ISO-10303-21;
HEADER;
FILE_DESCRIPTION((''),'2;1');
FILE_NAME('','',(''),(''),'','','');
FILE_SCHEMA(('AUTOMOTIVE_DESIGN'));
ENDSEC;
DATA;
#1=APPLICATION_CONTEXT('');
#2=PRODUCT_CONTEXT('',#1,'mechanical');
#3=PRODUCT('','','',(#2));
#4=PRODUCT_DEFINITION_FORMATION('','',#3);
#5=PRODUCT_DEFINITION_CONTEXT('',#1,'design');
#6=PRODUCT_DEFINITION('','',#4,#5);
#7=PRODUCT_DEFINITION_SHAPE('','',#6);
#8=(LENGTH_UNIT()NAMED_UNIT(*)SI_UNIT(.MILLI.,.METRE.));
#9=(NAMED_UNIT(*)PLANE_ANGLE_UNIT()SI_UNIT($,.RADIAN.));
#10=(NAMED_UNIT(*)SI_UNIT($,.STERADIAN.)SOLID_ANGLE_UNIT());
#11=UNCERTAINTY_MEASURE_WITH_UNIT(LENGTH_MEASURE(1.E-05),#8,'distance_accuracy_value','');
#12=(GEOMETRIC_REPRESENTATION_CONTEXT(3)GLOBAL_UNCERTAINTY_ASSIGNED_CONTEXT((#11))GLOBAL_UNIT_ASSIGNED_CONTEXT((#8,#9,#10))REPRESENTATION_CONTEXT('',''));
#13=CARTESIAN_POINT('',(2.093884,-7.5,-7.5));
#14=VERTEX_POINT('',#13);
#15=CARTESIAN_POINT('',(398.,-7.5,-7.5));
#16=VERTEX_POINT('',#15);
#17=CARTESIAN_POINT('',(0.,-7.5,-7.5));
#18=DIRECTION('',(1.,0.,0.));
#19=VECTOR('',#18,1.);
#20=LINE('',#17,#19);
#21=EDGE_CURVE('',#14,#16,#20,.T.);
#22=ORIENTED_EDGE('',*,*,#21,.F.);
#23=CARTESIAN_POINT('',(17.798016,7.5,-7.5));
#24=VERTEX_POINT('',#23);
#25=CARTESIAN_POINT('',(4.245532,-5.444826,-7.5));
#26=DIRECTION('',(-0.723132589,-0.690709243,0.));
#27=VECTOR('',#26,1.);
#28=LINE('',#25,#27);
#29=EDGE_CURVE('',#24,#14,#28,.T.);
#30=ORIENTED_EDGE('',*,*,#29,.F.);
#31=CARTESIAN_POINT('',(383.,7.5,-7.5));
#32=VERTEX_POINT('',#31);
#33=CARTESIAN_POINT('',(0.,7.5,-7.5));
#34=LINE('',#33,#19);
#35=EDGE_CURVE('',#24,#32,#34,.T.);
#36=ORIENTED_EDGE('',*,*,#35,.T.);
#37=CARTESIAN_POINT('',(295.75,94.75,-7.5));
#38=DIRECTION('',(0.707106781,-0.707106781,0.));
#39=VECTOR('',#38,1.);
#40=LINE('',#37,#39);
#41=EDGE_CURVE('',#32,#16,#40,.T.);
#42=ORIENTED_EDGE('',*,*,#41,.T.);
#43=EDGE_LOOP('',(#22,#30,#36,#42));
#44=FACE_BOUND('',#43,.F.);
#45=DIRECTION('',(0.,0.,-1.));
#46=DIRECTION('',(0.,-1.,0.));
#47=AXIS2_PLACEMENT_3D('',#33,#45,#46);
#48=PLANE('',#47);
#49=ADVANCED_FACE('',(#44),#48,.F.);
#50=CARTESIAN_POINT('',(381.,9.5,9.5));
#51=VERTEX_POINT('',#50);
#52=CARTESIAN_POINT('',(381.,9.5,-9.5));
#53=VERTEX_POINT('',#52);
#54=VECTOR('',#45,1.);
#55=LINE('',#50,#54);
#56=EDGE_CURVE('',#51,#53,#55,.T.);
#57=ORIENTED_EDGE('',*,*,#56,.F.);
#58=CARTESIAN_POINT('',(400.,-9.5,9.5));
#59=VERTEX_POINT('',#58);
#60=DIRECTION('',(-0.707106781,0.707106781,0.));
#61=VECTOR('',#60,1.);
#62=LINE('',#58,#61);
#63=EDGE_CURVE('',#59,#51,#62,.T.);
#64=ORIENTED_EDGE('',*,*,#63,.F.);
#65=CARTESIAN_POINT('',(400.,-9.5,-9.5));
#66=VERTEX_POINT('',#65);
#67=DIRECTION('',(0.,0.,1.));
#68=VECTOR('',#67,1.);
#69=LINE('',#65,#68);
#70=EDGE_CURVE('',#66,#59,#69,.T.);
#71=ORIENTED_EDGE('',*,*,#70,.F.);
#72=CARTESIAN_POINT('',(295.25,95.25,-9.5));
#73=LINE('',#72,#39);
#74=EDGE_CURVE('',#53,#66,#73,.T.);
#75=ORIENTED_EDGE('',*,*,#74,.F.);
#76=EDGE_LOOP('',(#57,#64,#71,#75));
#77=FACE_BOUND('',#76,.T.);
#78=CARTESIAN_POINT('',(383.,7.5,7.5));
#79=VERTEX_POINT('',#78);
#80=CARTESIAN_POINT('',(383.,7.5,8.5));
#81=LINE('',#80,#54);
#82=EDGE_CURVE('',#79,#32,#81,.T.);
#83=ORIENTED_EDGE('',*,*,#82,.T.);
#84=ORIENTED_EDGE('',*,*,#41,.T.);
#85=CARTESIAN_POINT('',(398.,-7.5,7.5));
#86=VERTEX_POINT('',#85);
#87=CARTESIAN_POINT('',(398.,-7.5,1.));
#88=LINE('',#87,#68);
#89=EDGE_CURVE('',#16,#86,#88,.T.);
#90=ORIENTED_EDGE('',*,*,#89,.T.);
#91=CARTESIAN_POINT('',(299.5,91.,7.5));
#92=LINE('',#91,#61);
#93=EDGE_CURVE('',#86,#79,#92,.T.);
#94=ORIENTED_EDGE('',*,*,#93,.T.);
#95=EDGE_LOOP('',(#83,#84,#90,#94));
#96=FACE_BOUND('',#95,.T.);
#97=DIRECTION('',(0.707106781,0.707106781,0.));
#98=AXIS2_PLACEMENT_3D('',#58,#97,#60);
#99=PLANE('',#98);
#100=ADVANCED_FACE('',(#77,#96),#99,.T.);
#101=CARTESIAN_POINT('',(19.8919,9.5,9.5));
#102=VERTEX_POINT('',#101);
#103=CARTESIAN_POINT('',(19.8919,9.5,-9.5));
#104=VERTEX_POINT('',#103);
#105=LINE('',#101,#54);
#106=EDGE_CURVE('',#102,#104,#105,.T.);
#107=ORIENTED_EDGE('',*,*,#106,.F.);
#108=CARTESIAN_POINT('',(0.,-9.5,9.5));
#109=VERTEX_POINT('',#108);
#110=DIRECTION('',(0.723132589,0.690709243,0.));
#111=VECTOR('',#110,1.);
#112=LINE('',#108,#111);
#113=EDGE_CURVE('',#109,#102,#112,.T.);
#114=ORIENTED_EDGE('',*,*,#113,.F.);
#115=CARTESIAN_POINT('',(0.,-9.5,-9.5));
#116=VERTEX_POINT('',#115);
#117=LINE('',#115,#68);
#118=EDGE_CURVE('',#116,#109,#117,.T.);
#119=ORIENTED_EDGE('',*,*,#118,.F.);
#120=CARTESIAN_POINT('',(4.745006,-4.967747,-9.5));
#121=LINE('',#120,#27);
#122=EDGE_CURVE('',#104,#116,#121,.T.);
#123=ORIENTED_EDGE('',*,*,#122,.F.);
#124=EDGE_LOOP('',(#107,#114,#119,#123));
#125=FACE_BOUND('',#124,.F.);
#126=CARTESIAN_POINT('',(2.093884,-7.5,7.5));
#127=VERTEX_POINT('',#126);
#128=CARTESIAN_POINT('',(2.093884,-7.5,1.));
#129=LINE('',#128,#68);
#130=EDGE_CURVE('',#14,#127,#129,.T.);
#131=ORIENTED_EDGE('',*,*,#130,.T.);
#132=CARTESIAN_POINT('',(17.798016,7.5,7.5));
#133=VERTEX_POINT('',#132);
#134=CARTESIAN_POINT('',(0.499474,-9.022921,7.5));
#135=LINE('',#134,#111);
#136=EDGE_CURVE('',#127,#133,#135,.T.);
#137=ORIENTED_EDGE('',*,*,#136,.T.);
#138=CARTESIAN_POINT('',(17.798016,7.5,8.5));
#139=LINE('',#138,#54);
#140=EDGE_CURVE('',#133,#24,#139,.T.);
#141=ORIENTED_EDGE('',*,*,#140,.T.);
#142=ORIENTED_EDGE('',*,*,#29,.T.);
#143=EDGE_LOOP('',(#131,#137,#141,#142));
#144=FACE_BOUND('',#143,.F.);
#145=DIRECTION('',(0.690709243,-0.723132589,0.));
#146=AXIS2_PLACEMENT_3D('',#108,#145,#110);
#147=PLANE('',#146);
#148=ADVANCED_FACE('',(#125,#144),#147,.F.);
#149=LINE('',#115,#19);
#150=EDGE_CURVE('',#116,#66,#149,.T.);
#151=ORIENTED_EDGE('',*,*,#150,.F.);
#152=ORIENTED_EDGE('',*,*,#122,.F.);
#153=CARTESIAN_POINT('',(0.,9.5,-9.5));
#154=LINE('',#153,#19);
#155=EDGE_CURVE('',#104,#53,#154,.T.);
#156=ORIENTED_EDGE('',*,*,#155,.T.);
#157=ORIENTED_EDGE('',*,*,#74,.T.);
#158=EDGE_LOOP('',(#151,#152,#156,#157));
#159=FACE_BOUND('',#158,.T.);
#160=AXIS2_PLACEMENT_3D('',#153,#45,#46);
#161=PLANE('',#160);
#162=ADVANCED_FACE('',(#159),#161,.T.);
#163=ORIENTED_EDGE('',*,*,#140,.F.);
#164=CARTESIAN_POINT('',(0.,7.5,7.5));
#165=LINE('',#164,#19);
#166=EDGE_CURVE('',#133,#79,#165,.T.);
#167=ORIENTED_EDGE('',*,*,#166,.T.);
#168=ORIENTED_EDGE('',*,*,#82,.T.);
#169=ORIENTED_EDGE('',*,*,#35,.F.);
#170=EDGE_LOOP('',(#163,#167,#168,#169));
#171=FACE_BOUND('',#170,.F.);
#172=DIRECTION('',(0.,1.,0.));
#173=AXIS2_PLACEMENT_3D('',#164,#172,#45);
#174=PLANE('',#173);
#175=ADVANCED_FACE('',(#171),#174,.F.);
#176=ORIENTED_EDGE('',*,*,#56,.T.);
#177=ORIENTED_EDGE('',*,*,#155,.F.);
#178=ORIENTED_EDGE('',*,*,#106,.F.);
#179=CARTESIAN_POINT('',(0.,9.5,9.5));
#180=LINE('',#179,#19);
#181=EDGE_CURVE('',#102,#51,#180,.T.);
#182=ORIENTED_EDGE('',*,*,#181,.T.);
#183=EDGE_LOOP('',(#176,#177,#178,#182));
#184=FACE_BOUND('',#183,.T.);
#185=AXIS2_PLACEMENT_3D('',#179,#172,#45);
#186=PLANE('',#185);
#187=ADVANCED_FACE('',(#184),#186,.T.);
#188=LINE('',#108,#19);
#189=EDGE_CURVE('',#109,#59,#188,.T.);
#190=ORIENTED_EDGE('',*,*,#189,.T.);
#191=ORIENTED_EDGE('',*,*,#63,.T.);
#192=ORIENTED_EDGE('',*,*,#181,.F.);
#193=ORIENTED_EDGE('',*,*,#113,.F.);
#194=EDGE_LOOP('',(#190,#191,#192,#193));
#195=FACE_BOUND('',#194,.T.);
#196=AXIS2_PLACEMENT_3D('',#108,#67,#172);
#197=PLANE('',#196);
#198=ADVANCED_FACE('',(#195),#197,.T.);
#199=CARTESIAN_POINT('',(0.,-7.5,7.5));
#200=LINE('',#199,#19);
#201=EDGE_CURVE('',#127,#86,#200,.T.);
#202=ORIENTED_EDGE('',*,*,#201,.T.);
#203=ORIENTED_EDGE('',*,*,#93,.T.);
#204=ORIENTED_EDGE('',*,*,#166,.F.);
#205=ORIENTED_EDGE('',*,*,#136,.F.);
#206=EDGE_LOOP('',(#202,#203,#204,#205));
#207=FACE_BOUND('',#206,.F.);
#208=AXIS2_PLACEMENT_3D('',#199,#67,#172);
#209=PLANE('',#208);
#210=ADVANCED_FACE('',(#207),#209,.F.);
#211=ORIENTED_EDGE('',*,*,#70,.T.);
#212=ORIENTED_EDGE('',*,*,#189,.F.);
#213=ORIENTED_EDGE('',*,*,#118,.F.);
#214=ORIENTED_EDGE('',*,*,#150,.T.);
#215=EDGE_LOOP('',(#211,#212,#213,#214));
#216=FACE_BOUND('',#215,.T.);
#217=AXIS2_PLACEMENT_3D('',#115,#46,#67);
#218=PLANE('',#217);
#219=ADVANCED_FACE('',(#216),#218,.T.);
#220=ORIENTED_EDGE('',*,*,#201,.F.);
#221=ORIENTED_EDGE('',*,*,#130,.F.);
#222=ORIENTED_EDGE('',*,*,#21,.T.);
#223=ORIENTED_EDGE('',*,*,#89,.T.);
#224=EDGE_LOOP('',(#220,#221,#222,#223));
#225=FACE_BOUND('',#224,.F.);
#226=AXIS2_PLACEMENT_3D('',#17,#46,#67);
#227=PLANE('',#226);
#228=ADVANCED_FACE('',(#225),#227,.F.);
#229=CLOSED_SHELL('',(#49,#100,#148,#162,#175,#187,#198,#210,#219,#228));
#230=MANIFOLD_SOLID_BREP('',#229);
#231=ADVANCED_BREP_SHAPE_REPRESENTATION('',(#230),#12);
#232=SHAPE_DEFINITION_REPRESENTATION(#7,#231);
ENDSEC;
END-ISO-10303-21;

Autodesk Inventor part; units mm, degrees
ref_plane "YZ Plane" through (0, 0, 0) normal (1, 0, 0) x (0, 1, 0)
ref_plane "XZ Plane" through (0, 0, 0) normal (0, 1, 0) x (-1, 0, 0)
ref_plane "XY Plane" through (0, 0, 0) normal (0, 0, 1) x (1, 0, 0)
sketch "Sketch1" plane through (0, 0, 0) normal (1, 0, 0) x (0, 1, 0)
  line L0 (-9.5, 9.5) -> (9.5, 9.5)
  line L1 (9.5, 9.5) -> (9.5, -9.5)
  line L2 (9.5, -9.5) -> (-9.5, -9.5)
  line L3 (-9.5, -9.5) -> (-9.5, 9.5)
  line L4 (-9.5, 9.5) -> (9.5, -9.5) construction
  line L5 (9.5, 9.5) -> (-9.5, -9.5) construction
  line L6 (-7.5, 7.5) -> (7.5, 7.5)
  line L7 (7.5, 7.5) -> (7.5, -7.5)
  line L8 (7.5, -7.5) -> (-7.5, -7.5)
  line L9 (-7.5, -7.5) -> (-7.5, 7.5)
  line L10 (-7.5, 7.5) -> (7.5, -7.5) construction
  line L11 (7.5, 7.5) -> (-7.5, -7.5) construction
  point P0 (0, 0)
  dimension "d0" = 2
  dimension "d1" = 2
  dimension "d2" = 19
  dimension "d3" = 19
extrude "Extrusion1" add sketch "Sketch1" along normal blind 400
sketch "Sketch2" plane through (0, -9.5, 9.5) normal (0, 0, 1) x (1, 0, 0)
  line L0 (0, 19) -> (0, 0) projected
  line L1 (0, 19) -> (400, 19) projected
  line L2 (400, 19) -> (400, 0) projected
  line L3 (0, 0) -> (400, 0) projected
  line L4 (0, 0) -> (19.8919, 19)
  line L5 (400, 0) -> (381, 19)
  point P0 (0, 9.5)
  dimension "d6" = 19.8919
  dimension "d7" = 19
extrude "Extrusion2" cut sketch "Sketch2" against normal through all contours L1 L4 L0 | L5 L1 L2
equation "\"d1\" = d0"
properties part number "RS2_TubeFoot"
